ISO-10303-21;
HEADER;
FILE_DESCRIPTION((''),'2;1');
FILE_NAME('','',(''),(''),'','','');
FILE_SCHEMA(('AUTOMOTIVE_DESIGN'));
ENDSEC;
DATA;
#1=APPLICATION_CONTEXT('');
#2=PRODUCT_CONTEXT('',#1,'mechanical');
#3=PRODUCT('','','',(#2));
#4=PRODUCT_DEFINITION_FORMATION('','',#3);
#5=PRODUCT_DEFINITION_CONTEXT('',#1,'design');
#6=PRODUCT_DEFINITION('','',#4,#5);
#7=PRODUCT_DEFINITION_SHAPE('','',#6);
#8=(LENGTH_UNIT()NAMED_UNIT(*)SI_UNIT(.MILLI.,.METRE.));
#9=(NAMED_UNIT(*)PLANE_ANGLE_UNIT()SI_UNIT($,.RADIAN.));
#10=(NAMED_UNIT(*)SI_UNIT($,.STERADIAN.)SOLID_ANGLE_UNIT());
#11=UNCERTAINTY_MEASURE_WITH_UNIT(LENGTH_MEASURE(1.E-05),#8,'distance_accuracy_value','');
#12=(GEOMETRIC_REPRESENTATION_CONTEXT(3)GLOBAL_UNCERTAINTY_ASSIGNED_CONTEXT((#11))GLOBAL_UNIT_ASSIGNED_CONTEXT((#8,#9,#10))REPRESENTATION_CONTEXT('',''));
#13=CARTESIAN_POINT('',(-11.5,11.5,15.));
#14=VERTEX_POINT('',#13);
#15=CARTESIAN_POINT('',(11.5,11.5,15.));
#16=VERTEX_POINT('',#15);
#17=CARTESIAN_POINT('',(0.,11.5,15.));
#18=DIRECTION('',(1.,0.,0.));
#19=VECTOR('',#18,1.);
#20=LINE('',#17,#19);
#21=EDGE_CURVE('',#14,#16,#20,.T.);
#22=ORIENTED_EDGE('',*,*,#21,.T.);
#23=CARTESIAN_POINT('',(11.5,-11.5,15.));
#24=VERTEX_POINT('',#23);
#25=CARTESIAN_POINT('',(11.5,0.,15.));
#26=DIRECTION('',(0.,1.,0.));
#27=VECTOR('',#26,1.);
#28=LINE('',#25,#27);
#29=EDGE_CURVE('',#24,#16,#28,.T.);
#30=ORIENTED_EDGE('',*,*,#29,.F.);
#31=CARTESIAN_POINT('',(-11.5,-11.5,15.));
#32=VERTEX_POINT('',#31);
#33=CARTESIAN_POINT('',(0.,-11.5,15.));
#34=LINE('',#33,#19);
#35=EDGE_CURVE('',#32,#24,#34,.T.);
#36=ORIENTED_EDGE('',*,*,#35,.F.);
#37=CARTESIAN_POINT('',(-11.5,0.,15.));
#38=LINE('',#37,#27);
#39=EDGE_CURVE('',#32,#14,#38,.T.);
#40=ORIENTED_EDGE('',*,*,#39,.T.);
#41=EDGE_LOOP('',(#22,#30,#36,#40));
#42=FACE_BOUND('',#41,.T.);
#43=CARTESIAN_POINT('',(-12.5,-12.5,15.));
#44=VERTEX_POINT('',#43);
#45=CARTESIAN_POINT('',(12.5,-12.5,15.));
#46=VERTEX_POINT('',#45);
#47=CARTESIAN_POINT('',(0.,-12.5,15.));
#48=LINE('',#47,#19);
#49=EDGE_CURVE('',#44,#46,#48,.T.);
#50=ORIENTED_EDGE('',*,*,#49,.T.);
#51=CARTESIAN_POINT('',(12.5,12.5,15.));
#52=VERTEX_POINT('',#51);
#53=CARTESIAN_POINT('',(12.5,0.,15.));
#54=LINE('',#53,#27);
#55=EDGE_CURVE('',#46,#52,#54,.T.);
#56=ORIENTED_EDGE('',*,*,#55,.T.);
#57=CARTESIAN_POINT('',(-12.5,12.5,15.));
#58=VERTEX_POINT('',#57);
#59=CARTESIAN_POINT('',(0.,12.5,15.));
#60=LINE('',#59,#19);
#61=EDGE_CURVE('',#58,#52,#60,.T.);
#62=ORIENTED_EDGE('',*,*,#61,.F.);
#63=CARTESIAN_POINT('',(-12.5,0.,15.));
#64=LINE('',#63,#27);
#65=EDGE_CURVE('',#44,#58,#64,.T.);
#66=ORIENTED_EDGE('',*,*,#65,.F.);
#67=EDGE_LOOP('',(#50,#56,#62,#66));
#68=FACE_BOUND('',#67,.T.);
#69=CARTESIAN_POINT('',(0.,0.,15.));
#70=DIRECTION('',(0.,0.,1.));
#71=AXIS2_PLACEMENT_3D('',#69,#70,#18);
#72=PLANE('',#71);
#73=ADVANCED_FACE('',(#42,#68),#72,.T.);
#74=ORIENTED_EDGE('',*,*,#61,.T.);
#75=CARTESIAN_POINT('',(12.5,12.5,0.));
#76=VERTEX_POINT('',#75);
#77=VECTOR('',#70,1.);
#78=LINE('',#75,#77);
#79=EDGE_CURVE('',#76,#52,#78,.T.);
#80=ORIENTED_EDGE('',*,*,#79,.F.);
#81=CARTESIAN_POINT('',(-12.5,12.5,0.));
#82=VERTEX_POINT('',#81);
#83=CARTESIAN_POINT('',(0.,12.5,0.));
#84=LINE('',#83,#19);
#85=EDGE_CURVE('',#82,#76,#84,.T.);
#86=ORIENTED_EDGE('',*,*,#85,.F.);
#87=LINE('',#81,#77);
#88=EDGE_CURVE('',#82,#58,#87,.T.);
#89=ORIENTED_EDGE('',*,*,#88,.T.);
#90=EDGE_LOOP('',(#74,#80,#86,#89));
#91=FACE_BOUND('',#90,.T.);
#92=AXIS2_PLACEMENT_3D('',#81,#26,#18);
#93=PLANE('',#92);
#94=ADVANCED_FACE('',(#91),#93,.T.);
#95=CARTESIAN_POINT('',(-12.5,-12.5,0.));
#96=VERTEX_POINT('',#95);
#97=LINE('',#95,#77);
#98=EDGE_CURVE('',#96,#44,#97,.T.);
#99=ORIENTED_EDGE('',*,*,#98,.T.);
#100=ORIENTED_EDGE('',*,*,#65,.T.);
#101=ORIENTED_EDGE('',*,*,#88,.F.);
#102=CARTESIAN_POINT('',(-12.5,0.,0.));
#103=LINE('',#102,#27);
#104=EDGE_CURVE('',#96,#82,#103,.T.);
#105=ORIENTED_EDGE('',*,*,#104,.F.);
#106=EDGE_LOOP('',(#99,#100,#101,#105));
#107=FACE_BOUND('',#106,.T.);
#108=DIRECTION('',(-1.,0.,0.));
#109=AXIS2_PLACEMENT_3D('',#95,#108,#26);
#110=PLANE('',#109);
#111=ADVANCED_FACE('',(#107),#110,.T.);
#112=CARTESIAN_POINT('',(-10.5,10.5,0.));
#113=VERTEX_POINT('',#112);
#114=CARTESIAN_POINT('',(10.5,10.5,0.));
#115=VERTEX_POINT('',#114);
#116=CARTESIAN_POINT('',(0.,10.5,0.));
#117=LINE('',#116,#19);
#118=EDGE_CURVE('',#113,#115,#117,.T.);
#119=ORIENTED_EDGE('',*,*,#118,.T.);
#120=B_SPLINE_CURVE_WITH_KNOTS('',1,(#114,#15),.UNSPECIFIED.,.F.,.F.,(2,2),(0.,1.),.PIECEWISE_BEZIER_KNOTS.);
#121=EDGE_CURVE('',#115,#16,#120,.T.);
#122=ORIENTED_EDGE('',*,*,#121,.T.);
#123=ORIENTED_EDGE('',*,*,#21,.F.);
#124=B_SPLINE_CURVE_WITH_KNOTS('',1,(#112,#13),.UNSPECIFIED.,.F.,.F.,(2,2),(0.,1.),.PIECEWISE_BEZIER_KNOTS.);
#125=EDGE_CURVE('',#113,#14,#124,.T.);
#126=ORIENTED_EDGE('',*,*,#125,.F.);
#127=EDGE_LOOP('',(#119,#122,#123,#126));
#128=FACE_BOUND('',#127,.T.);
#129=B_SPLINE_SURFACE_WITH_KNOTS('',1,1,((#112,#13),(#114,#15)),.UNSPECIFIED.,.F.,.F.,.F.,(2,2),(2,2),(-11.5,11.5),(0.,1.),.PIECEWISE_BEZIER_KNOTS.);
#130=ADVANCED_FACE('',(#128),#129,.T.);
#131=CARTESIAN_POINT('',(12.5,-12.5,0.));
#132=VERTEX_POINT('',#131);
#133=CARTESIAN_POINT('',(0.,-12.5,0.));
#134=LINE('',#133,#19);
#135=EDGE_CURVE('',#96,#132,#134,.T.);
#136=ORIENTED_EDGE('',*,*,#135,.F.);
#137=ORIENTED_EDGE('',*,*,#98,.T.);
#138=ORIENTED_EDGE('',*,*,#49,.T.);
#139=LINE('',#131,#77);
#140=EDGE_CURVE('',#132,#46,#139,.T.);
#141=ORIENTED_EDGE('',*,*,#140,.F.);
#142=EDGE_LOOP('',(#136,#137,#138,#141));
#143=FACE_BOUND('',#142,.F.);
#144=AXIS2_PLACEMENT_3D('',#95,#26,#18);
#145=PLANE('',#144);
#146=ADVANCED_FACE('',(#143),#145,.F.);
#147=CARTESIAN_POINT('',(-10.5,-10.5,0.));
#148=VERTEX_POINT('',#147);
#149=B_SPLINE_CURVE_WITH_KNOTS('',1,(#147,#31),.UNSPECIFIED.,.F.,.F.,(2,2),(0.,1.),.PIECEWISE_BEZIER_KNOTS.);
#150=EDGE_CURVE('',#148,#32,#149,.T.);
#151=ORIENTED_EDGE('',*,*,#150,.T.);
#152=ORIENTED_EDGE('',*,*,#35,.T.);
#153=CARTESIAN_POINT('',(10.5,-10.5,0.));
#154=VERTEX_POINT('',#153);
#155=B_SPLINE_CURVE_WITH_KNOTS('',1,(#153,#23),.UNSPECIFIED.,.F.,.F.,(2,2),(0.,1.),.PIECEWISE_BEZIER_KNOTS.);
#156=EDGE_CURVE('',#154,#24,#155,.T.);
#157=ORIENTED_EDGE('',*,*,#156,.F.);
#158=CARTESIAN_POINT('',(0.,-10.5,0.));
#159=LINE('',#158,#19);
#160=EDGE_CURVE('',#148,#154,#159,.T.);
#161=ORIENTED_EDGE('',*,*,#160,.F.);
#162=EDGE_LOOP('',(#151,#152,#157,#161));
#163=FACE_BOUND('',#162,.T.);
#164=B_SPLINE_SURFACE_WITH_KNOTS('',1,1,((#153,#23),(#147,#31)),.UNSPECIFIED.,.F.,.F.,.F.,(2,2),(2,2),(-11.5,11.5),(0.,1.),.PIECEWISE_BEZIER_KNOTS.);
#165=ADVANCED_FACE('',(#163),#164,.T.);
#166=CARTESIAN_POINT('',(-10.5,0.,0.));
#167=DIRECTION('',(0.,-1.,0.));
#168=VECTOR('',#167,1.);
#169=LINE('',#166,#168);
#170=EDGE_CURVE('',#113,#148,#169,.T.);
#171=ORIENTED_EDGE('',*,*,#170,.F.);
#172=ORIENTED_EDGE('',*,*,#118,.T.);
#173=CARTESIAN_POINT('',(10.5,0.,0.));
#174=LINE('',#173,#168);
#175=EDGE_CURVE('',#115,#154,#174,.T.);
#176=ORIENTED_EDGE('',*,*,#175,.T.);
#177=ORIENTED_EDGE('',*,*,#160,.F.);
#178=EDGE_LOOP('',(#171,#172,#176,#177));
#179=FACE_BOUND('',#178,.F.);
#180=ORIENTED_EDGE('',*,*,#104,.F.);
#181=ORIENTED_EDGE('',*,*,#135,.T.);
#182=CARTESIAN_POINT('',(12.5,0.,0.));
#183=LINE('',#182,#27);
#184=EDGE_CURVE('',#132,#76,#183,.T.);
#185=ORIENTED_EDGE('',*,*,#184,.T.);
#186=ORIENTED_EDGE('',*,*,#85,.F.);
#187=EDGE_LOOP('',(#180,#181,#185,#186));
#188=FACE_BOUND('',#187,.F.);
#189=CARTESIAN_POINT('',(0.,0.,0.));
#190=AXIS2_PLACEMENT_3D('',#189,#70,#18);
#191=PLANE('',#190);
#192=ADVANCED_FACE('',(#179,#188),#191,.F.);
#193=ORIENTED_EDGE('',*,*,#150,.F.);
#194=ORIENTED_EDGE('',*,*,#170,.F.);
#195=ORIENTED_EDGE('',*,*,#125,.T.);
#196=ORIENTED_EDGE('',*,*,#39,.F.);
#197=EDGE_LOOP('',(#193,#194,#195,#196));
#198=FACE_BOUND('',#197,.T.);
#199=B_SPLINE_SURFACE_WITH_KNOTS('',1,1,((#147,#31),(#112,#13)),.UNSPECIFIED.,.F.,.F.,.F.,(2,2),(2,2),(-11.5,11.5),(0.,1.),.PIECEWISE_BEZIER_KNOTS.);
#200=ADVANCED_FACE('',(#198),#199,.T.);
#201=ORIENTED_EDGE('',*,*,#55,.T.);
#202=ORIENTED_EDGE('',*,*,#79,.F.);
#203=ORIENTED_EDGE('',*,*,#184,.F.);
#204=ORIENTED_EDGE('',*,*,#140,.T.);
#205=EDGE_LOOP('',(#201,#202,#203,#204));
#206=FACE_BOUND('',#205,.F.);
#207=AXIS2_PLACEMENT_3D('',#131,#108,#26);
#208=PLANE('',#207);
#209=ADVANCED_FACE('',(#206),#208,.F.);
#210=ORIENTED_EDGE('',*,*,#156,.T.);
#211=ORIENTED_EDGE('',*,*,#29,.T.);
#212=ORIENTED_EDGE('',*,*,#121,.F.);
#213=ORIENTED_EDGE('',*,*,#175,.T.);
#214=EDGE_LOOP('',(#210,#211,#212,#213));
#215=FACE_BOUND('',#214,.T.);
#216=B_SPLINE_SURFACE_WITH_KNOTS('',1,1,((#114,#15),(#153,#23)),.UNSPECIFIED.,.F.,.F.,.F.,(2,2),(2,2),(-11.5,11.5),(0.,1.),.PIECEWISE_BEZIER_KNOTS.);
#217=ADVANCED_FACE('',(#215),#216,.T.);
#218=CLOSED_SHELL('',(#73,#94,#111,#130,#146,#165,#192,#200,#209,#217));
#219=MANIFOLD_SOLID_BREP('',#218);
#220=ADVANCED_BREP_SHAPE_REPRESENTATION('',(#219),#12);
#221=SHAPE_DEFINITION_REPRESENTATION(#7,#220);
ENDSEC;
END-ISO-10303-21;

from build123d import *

# Parameters (mm, degrees)
SKETCH_W    = 25
SKETCH_H    = 25
PAD_DEPTH   = 15
SKETCH002_W = 21
SKETCH002_H = 21
SKETCH001_W = 23
SKETCH001_H = 23


with BuildPart() as part:
    # Sketch → Pad (new body)
    with BuildSketch(Plane.XY):
        Rectangle(SKETCH_W, SKETCH_H)
    extrude(amount=PAD_DEPTH)

    # Sketch002 (on Face5 of Pad) → SubtractiveLoft section 0
    with BuildSketch(Plane(origin=(0, 0, 0), x_dir=(1, 0, 0), z_dir=(0, 0, -1))):
        Rectangle(SKETCH002_W, SKETCH002_H)
    # Sketch001 (on Face6 of Pad) → SubtractiveLoft section 1
    with BuildSketch(Plane.XY.offset(15)):
        Rectangle(SKETCH001_W, SKETCH001_H)
    loft(mode=Mode.SUBTRACT)


solid = part.part
